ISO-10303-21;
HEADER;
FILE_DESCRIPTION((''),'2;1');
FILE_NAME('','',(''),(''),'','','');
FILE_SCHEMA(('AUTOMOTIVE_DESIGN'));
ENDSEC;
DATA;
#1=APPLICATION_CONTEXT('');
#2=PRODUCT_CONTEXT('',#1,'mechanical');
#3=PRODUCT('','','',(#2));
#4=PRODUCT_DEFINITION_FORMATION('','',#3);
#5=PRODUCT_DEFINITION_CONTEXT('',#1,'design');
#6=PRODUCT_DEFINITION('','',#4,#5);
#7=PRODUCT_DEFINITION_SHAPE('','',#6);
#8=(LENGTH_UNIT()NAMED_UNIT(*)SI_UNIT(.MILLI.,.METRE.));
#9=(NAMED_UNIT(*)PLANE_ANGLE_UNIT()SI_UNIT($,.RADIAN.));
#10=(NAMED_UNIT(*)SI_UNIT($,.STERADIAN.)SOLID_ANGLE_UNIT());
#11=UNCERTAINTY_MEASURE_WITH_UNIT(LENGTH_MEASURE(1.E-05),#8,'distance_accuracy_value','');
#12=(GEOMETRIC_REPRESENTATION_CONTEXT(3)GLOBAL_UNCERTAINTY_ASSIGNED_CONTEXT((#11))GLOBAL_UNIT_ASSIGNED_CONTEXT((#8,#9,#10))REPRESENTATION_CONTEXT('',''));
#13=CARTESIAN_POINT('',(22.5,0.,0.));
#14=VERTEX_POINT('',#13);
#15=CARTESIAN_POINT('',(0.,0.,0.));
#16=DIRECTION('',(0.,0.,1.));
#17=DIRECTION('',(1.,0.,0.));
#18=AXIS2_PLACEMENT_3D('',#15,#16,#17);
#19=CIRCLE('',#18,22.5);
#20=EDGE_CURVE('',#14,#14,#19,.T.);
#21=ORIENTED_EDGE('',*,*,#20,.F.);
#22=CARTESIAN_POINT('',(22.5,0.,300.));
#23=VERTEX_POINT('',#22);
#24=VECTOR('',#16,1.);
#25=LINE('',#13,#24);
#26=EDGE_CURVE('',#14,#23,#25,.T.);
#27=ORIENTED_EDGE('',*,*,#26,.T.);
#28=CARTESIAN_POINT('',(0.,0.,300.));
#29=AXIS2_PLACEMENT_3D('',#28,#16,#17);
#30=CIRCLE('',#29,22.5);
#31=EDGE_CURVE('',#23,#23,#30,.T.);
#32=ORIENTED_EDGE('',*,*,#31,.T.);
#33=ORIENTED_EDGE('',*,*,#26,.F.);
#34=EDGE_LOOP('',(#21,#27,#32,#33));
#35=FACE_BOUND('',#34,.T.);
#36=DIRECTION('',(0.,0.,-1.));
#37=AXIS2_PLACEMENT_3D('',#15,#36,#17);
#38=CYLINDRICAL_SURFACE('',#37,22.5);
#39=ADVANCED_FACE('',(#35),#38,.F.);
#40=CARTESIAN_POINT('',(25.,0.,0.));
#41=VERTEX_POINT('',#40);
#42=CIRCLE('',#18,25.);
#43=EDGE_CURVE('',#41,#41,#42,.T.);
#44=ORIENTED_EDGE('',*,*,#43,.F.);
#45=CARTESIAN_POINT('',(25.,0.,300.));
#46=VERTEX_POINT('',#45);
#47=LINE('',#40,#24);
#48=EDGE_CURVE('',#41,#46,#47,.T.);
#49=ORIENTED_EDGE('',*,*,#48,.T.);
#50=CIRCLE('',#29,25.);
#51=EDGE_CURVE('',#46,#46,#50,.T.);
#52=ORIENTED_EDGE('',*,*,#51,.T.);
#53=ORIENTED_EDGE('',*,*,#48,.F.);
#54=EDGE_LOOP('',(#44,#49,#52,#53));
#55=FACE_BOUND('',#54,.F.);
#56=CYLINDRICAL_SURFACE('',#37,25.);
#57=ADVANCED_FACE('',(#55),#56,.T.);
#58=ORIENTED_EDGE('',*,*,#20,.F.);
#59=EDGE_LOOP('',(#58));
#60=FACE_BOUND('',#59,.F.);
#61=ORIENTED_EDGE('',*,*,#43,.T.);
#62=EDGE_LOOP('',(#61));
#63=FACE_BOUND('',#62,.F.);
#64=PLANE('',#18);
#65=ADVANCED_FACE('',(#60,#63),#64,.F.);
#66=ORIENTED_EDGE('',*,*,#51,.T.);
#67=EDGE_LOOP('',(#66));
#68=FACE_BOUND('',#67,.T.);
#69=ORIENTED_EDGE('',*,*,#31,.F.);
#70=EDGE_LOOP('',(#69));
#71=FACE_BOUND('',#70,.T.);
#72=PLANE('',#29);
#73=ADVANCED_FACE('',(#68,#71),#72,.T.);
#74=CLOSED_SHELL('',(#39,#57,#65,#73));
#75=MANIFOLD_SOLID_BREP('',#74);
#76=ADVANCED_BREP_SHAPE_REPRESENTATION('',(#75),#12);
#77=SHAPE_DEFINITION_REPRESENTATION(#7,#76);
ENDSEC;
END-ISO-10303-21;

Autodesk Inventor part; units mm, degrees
ref_plane "YZ Plane" through (0, 0, 0) normal (1, 0, 0) x (0, 1, 0)
ref_plane "XZ Plane" through (0, 0, 0) normal (0, 1, 0) x (-1, 0, 0)
ref_plane "XY Plane" through (0, 0, 0) normal (0, 0, 1) x (1, 0, 0)
sketch "Esboço1" plane through (0, 0, 0) normal (0, 0, 1) x (1, 0, 0)
  circle A0 centre (0, 0) radius 25
  circle A1 centre (0, 0) radius 22.5
  dimension "d0" = 50
  dimension "d1" = 45
extrude "Extrusão1" add sketch "Esboço1" along normal blind 300
properties part number "Cano"
